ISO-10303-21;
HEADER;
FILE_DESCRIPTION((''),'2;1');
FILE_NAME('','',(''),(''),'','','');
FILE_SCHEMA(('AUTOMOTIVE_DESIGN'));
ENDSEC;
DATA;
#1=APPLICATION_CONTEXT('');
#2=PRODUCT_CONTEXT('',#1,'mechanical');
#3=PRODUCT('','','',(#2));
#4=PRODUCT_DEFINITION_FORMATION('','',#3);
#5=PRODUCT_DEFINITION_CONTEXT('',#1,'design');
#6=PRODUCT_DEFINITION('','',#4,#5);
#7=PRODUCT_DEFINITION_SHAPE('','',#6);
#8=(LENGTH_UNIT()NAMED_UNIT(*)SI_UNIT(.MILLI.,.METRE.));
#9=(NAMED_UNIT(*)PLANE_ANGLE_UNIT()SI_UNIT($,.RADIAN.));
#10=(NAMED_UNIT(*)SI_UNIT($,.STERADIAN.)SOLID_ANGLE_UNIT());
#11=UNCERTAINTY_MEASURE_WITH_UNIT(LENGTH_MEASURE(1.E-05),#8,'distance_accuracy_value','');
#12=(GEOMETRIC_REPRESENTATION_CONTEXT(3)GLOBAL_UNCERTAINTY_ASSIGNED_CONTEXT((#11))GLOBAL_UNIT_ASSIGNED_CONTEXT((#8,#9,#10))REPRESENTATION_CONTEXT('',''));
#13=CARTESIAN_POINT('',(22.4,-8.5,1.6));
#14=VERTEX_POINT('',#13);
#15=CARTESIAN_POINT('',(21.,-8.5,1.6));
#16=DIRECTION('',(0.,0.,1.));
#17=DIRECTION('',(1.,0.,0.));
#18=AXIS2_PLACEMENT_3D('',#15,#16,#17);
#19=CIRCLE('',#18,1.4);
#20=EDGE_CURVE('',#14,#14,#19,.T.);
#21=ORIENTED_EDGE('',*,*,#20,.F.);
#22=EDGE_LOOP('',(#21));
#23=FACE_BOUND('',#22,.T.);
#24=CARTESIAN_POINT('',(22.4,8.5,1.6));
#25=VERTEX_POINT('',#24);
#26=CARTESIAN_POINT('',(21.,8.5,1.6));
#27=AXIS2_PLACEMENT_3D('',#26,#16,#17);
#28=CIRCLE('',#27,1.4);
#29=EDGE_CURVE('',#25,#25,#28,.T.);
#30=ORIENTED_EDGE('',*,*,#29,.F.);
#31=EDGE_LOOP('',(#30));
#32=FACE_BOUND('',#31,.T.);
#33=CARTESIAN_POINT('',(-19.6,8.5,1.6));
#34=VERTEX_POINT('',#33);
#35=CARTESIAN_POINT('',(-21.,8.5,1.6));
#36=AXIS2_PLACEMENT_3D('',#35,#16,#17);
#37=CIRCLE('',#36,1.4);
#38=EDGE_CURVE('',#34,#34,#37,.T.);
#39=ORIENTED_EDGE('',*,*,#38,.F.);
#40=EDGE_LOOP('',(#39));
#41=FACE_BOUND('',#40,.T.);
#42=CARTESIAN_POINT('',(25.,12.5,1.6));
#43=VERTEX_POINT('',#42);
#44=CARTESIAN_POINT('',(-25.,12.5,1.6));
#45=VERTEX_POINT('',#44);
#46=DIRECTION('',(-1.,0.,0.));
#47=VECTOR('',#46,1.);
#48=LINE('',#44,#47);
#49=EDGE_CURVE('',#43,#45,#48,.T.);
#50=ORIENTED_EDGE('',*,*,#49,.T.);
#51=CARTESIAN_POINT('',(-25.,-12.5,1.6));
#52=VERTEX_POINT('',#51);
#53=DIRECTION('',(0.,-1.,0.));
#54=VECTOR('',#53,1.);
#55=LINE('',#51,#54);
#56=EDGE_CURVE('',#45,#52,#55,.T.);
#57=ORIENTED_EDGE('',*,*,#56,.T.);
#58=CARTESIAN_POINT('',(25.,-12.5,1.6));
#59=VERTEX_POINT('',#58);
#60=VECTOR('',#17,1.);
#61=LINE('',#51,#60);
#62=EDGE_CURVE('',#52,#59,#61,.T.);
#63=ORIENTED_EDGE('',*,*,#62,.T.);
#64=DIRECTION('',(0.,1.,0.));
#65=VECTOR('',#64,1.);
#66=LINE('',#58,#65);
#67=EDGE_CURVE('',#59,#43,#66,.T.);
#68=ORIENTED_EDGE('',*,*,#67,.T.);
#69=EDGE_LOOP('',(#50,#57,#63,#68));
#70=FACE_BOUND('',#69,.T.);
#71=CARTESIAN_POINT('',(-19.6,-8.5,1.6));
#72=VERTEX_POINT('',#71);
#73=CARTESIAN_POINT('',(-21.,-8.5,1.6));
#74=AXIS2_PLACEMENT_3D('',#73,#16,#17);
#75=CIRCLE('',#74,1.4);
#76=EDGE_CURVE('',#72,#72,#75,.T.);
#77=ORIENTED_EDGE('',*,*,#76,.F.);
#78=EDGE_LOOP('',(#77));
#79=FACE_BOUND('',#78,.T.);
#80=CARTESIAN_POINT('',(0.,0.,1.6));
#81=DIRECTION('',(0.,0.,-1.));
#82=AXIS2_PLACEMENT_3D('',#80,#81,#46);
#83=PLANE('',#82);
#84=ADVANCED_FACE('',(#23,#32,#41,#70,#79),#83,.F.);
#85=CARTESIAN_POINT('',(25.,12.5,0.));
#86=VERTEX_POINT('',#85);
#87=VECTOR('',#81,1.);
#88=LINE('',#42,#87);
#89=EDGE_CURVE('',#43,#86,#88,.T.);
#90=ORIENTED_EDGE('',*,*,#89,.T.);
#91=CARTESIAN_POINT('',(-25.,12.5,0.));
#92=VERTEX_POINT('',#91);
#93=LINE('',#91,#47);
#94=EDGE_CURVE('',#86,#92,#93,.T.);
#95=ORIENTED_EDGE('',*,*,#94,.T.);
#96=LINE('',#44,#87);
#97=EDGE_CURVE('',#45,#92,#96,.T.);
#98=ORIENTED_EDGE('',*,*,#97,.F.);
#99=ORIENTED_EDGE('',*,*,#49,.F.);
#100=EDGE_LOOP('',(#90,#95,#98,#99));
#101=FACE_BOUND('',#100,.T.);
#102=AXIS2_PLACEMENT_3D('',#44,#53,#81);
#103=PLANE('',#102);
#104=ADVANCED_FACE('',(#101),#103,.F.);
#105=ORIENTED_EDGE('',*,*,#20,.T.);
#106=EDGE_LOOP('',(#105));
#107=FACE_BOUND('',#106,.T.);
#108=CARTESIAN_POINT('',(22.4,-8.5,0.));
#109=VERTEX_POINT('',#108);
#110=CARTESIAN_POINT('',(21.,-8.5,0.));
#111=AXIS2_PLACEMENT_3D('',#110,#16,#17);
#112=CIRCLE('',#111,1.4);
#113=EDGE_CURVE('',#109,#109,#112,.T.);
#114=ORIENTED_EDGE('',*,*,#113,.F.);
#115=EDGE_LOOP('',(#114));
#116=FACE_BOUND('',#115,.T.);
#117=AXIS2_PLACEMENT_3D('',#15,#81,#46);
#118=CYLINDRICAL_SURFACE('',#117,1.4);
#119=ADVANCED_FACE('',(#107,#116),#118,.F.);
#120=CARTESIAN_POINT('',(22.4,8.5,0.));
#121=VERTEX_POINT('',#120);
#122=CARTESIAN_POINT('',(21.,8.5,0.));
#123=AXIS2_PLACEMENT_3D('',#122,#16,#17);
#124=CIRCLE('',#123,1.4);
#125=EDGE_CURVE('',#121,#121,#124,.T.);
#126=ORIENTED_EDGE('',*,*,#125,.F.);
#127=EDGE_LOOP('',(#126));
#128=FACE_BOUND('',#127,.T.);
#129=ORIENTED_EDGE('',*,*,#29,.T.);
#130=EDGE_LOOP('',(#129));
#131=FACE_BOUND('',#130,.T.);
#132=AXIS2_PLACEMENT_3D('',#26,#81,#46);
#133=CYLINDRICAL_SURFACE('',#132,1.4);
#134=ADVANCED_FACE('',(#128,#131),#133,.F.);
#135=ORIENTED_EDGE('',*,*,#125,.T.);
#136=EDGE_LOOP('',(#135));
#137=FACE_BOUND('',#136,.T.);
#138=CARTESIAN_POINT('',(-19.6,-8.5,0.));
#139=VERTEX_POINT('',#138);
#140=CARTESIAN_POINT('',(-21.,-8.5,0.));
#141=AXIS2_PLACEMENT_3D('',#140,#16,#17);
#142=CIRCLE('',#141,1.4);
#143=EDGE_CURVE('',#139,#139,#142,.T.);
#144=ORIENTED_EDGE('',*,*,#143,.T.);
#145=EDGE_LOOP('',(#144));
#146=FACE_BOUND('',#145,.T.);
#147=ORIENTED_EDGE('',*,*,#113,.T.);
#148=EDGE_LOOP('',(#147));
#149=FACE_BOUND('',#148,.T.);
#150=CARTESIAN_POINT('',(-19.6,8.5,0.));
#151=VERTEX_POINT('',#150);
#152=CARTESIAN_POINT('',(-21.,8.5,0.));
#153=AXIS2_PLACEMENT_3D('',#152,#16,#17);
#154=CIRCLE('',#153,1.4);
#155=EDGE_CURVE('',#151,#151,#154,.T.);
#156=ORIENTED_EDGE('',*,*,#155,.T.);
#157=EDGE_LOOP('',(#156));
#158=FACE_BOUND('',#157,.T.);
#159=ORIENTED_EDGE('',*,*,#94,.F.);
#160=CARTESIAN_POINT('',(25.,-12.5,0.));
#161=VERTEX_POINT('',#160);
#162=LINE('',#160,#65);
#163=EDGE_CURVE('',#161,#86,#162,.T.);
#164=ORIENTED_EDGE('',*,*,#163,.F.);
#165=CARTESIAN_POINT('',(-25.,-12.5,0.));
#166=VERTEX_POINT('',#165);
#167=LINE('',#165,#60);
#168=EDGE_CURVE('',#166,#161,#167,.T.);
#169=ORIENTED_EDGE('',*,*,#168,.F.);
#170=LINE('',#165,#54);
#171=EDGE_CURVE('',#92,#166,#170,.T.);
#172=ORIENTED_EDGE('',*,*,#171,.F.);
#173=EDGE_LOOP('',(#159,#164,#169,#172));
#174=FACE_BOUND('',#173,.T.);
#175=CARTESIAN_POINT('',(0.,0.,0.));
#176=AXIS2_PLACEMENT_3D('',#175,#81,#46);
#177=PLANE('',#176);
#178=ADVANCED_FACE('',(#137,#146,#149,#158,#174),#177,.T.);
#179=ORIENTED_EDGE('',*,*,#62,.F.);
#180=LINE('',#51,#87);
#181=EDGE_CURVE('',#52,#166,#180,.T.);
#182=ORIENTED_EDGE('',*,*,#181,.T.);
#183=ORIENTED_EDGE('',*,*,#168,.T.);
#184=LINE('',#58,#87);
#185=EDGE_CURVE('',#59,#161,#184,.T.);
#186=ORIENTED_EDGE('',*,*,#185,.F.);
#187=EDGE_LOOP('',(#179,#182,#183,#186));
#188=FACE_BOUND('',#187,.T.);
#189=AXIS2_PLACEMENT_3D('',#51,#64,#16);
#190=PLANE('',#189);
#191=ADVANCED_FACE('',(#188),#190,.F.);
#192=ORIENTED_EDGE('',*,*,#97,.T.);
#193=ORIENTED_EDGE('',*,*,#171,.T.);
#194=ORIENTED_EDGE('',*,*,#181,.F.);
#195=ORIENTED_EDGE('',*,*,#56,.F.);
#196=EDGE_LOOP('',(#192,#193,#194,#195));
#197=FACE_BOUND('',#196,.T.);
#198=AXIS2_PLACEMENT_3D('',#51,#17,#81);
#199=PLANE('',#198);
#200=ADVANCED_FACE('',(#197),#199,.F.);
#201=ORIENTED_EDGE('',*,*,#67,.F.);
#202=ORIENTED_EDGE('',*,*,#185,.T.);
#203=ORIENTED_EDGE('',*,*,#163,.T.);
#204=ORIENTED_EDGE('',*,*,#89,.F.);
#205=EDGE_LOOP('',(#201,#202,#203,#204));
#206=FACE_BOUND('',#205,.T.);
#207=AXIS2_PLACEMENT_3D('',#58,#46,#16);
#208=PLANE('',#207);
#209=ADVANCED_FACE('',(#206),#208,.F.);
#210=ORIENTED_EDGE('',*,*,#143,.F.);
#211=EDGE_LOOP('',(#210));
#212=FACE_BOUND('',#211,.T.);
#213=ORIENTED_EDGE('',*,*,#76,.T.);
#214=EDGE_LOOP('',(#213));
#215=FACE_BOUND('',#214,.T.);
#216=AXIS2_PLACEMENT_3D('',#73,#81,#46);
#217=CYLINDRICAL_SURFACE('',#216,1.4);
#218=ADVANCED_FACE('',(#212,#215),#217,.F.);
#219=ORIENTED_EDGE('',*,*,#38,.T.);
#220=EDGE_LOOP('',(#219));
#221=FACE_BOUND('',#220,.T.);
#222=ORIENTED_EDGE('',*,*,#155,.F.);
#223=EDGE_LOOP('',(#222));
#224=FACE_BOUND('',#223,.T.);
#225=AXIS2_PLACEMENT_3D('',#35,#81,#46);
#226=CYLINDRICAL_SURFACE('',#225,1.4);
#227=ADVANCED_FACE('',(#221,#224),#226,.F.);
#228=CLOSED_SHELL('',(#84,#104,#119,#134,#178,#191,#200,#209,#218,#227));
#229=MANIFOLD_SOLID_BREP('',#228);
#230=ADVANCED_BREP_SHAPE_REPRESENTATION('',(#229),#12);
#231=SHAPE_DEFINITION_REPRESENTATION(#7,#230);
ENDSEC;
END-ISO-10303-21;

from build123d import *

# Parameters (mm, degrees)
SKETCH2_W                             = 50
SKETCH2_H                             = 25
GENERIC_ESP32_CARRIER_REFERENCE_DEPTH = 1.6
SKETCH3_R                             = 1.4
FOUR_M2P5_CLEARANCE_HOLES_DEPTH       = 28.996606937


with BuildPart() as part:
    # Sketch2 → Generic_ESP32_carrier_reference (new body)
    with BuildSketch(Plane.XY):
        Rectangle(SKETCH2_W, SKETCH2_H)
    extrude(amount=GENERIC_ESP32_CARRIER_REFERENCE_DEPTH)

    # Sketch3 → Four_M2p5_clearance_holes (cut, through all)
    with BuildSketch(Plane.XY):
        with Locations((-21, -8.5)):
            Circle(SKETCH3_R)
        with Locations((-21, 8.5)):
            Circle(SKETCH3_R)
        with Locations((21, -8.5)):
            Circle(SKETCH3_R)
        with Locations((21, 8.5)):
            Circle(SKETCH3_R)
    extrude(amount=FOUR_M2P5_CLEARANCE_HOLES_DEPTH, mode=Mode.SUBTRACT)


solid = part.part
